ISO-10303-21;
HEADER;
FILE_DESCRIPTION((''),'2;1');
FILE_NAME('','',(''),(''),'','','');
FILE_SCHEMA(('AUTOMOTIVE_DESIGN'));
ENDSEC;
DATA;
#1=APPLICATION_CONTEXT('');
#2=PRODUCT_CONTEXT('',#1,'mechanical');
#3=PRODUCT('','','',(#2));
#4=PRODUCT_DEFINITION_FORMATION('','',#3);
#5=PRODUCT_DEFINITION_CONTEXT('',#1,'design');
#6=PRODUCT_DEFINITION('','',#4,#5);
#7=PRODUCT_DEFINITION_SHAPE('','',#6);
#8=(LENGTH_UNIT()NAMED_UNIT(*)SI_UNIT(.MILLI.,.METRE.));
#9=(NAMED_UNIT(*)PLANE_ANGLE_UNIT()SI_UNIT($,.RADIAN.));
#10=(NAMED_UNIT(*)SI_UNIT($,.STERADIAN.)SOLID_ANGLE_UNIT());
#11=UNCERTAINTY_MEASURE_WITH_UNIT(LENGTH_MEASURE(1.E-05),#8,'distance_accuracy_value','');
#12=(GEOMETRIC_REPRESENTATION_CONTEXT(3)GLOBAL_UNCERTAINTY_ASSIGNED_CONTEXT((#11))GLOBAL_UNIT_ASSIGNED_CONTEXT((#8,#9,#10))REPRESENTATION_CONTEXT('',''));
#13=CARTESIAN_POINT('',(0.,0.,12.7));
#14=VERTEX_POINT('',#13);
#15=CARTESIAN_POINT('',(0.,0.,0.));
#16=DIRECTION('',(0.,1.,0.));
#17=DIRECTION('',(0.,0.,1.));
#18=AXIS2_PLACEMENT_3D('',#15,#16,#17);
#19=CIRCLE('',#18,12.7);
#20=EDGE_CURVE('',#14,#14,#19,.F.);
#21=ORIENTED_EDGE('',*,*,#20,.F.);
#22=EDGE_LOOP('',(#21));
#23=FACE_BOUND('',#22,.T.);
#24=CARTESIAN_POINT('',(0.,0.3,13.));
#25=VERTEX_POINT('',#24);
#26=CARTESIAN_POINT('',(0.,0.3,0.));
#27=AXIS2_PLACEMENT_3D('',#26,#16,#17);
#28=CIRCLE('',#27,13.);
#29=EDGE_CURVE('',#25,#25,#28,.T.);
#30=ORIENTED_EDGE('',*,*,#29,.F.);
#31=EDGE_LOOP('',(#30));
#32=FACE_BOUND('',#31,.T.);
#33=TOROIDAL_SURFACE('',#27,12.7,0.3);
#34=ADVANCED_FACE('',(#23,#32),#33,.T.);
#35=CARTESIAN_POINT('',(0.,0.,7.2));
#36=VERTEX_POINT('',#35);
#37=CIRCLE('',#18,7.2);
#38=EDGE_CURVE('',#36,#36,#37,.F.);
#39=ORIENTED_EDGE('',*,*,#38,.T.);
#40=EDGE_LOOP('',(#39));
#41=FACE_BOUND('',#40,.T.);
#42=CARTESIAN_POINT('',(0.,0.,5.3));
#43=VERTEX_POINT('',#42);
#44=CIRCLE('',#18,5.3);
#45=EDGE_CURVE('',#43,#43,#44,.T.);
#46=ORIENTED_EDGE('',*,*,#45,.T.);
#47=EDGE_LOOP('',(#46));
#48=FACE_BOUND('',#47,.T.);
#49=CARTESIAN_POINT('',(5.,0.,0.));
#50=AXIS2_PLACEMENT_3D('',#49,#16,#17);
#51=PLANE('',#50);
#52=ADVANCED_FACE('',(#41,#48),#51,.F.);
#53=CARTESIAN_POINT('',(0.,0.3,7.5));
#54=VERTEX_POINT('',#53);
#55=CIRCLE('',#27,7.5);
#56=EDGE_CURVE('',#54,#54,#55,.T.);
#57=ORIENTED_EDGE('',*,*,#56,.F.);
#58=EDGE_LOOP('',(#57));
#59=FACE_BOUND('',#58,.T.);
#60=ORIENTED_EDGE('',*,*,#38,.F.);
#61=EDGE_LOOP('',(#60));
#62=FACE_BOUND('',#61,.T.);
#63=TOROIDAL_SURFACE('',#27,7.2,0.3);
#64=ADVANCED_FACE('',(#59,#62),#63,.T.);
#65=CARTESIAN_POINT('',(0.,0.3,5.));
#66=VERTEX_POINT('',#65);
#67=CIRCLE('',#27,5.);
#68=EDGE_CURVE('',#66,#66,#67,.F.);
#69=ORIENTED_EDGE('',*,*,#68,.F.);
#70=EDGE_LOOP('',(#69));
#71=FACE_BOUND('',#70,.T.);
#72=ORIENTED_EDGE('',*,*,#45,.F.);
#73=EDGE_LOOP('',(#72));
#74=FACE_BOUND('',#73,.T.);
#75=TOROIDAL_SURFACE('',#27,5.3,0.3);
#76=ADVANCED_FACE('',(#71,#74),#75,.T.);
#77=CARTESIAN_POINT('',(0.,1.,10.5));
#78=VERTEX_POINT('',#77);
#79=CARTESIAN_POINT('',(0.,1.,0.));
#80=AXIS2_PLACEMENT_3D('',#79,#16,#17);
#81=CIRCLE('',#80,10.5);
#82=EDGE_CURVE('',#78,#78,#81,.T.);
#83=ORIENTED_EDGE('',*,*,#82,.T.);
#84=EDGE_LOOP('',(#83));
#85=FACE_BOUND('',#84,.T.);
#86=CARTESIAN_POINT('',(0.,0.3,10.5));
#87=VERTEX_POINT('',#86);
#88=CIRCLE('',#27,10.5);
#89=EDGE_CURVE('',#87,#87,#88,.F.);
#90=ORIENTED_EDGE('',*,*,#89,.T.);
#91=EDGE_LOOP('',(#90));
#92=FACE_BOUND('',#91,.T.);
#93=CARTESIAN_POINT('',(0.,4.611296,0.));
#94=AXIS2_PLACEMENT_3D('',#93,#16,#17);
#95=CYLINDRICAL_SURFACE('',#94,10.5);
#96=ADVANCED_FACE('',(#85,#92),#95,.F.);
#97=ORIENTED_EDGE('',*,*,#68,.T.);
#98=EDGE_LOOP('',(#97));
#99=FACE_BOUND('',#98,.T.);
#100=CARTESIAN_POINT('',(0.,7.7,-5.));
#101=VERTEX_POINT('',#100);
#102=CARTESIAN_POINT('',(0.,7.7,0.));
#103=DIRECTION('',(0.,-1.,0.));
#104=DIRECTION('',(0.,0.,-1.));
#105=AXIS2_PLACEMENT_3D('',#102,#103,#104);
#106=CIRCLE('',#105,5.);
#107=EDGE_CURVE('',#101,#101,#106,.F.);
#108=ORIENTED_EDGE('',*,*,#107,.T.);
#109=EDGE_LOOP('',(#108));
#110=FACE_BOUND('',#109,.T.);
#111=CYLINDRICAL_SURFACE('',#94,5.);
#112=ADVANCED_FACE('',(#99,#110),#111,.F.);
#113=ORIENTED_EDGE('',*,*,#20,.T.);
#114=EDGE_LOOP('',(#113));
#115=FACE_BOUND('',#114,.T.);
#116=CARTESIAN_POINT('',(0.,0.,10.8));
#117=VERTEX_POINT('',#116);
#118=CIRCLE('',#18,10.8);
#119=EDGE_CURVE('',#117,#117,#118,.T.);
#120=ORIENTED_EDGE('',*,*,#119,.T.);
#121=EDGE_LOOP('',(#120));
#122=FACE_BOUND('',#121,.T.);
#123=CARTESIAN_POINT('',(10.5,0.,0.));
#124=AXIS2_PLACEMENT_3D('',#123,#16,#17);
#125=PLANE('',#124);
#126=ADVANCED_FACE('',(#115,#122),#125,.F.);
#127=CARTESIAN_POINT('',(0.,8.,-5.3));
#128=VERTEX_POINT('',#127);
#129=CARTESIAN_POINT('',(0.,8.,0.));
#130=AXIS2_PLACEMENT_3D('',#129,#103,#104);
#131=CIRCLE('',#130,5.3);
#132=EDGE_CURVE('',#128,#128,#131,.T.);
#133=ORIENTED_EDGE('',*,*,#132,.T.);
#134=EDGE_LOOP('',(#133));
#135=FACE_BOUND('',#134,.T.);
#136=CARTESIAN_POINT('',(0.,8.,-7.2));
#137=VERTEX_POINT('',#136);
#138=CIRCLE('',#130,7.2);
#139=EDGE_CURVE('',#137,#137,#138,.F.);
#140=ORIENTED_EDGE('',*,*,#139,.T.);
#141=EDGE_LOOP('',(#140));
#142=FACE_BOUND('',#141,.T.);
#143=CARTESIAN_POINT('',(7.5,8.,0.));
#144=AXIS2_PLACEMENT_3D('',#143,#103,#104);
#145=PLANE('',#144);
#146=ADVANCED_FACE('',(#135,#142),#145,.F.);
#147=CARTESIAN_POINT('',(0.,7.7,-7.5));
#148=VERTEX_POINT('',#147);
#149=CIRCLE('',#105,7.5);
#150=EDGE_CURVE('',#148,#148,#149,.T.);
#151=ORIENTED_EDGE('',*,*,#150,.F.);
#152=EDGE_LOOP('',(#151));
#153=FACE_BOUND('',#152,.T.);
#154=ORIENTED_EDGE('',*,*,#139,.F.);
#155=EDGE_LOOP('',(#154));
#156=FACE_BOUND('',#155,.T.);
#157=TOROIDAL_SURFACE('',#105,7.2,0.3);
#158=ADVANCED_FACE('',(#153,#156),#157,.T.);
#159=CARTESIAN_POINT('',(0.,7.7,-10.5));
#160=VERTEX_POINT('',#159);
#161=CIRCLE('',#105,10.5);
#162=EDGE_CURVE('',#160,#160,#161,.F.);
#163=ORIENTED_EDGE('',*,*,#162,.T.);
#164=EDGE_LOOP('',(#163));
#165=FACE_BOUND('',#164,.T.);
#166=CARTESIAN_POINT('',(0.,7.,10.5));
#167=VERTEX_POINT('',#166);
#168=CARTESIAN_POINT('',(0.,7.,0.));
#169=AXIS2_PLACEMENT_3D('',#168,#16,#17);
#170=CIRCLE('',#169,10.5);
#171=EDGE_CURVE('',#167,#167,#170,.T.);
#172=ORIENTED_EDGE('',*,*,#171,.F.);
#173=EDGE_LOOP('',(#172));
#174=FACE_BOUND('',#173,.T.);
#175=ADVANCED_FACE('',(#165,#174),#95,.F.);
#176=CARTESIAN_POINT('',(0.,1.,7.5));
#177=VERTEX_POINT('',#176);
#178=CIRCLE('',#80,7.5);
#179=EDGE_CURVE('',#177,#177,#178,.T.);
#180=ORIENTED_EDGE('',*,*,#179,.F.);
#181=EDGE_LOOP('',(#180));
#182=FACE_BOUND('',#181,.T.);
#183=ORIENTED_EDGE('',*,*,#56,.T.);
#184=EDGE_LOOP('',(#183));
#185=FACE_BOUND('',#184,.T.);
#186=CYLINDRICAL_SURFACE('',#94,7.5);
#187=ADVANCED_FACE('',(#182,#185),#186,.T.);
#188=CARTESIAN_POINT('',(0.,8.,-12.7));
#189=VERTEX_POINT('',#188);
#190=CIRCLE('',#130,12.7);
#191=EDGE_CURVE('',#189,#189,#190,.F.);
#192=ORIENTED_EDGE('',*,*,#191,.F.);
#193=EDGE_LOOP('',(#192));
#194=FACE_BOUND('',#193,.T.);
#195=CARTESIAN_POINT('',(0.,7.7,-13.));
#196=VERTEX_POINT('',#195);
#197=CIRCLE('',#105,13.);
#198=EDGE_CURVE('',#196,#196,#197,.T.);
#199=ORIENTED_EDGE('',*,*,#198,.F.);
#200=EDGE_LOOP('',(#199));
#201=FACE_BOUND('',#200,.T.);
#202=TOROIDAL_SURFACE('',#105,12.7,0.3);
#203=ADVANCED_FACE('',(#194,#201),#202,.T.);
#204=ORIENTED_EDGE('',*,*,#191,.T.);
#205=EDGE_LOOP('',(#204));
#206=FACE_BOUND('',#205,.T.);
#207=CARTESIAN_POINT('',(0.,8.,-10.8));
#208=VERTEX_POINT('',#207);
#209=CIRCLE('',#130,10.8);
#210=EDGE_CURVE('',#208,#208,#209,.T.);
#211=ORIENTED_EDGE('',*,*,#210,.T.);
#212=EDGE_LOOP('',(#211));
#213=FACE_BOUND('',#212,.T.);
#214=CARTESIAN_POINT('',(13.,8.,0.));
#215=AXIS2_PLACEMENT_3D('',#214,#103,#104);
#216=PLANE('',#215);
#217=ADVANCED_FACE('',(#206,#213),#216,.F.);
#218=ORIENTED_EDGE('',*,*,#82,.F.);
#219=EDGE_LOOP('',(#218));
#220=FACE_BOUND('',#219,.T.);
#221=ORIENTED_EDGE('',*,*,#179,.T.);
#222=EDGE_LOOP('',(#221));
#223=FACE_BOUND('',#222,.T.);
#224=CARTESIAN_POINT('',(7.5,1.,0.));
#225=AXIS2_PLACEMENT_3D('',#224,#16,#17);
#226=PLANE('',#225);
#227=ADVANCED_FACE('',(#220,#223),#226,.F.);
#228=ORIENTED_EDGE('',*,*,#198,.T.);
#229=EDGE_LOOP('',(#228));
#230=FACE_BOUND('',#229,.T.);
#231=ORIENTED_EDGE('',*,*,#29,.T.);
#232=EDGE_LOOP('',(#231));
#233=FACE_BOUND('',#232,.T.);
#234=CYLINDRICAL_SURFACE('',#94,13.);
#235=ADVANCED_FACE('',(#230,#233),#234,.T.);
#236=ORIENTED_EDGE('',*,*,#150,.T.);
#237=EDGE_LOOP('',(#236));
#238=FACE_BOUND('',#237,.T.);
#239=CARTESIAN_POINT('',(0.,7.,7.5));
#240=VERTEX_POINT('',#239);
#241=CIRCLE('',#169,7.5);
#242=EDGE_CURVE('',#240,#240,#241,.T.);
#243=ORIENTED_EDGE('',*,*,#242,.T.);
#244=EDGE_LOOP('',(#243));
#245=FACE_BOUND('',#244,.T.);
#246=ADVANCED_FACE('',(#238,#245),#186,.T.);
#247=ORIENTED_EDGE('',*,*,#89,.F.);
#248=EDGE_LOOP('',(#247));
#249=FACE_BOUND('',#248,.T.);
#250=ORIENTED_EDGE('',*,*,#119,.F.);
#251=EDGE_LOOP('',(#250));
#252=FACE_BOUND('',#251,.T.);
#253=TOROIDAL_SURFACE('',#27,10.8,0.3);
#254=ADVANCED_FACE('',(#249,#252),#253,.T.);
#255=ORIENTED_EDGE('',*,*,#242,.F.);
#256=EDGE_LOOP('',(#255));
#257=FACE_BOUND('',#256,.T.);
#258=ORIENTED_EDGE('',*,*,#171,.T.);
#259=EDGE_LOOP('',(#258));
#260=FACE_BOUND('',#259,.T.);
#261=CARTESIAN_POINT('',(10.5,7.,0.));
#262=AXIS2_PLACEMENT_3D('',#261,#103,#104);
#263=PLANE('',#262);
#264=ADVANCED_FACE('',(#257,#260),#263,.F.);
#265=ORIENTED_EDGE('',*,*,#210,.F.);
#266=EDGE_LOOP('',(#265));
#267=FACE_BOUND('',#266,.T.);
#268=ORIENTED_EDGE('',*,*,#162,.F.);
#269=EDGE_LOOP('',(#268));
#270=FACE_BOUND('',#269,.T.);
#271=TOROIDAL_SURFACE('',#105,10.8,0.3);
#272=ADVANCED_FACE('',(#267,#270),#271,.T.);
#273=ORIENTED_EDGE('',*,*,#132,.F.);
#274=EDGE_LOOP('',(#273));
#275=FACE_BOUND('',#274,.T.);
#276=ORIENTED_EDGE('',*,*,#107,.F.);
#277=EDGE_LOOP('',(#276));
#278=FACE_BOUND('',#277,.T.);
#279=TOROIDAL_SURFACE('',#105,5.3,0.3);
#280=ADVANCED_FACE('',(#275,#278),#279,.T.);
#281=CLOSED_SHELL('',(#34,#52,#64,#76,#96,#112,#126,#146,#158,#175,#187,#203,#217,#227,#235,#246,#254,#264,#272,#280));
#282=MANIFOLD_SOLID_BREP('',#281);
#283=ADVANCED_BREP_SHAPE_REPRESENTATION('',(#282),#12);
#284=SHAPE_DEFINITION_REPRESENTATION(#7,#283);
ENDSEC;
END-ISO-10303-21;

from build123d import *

# Parameters (mm, degrees)
FILLET_1_R = 0.3


with BuildPart() as part:
    # 草图1 → 旋转1 (revolve)
    with BuildSketch(Plane.XY, mode=Mode.PRIVATE) as revolve_1_sk:
        Polygon((5, 8), (5, 0), (7.5, 0), (7.5, 1), (10.5, 1), (10.5, 0), (13, 0), (13, 8), (10.5, 8), (10.5, 7), (7.5, 7), (7.5, 8), align=None)
    revolve(revolve_1_sk.sketch.rotate(Axis((0, 4.611296038, 0), (0, -1, 0)), 90), axis=Axis((0, 4.611296038, 0), (0, -1, 0)))

    # 圆角1
    fillet_1_edges = [part.edges().sort_by_distance(p)[0] for p in [
        (0, 8, -10.5),
        (0, 8, -13),
        (0, 0, -13),
        (0, 0, -10.5),
        (0, 0, -7.5),
        (0, 0, -5),
        (0, 8, -5),
        (0, 8, -7.5),
    ]]
    fillet(fillet_1_edges, radius=FILLET_1_R)


solid = part.part
